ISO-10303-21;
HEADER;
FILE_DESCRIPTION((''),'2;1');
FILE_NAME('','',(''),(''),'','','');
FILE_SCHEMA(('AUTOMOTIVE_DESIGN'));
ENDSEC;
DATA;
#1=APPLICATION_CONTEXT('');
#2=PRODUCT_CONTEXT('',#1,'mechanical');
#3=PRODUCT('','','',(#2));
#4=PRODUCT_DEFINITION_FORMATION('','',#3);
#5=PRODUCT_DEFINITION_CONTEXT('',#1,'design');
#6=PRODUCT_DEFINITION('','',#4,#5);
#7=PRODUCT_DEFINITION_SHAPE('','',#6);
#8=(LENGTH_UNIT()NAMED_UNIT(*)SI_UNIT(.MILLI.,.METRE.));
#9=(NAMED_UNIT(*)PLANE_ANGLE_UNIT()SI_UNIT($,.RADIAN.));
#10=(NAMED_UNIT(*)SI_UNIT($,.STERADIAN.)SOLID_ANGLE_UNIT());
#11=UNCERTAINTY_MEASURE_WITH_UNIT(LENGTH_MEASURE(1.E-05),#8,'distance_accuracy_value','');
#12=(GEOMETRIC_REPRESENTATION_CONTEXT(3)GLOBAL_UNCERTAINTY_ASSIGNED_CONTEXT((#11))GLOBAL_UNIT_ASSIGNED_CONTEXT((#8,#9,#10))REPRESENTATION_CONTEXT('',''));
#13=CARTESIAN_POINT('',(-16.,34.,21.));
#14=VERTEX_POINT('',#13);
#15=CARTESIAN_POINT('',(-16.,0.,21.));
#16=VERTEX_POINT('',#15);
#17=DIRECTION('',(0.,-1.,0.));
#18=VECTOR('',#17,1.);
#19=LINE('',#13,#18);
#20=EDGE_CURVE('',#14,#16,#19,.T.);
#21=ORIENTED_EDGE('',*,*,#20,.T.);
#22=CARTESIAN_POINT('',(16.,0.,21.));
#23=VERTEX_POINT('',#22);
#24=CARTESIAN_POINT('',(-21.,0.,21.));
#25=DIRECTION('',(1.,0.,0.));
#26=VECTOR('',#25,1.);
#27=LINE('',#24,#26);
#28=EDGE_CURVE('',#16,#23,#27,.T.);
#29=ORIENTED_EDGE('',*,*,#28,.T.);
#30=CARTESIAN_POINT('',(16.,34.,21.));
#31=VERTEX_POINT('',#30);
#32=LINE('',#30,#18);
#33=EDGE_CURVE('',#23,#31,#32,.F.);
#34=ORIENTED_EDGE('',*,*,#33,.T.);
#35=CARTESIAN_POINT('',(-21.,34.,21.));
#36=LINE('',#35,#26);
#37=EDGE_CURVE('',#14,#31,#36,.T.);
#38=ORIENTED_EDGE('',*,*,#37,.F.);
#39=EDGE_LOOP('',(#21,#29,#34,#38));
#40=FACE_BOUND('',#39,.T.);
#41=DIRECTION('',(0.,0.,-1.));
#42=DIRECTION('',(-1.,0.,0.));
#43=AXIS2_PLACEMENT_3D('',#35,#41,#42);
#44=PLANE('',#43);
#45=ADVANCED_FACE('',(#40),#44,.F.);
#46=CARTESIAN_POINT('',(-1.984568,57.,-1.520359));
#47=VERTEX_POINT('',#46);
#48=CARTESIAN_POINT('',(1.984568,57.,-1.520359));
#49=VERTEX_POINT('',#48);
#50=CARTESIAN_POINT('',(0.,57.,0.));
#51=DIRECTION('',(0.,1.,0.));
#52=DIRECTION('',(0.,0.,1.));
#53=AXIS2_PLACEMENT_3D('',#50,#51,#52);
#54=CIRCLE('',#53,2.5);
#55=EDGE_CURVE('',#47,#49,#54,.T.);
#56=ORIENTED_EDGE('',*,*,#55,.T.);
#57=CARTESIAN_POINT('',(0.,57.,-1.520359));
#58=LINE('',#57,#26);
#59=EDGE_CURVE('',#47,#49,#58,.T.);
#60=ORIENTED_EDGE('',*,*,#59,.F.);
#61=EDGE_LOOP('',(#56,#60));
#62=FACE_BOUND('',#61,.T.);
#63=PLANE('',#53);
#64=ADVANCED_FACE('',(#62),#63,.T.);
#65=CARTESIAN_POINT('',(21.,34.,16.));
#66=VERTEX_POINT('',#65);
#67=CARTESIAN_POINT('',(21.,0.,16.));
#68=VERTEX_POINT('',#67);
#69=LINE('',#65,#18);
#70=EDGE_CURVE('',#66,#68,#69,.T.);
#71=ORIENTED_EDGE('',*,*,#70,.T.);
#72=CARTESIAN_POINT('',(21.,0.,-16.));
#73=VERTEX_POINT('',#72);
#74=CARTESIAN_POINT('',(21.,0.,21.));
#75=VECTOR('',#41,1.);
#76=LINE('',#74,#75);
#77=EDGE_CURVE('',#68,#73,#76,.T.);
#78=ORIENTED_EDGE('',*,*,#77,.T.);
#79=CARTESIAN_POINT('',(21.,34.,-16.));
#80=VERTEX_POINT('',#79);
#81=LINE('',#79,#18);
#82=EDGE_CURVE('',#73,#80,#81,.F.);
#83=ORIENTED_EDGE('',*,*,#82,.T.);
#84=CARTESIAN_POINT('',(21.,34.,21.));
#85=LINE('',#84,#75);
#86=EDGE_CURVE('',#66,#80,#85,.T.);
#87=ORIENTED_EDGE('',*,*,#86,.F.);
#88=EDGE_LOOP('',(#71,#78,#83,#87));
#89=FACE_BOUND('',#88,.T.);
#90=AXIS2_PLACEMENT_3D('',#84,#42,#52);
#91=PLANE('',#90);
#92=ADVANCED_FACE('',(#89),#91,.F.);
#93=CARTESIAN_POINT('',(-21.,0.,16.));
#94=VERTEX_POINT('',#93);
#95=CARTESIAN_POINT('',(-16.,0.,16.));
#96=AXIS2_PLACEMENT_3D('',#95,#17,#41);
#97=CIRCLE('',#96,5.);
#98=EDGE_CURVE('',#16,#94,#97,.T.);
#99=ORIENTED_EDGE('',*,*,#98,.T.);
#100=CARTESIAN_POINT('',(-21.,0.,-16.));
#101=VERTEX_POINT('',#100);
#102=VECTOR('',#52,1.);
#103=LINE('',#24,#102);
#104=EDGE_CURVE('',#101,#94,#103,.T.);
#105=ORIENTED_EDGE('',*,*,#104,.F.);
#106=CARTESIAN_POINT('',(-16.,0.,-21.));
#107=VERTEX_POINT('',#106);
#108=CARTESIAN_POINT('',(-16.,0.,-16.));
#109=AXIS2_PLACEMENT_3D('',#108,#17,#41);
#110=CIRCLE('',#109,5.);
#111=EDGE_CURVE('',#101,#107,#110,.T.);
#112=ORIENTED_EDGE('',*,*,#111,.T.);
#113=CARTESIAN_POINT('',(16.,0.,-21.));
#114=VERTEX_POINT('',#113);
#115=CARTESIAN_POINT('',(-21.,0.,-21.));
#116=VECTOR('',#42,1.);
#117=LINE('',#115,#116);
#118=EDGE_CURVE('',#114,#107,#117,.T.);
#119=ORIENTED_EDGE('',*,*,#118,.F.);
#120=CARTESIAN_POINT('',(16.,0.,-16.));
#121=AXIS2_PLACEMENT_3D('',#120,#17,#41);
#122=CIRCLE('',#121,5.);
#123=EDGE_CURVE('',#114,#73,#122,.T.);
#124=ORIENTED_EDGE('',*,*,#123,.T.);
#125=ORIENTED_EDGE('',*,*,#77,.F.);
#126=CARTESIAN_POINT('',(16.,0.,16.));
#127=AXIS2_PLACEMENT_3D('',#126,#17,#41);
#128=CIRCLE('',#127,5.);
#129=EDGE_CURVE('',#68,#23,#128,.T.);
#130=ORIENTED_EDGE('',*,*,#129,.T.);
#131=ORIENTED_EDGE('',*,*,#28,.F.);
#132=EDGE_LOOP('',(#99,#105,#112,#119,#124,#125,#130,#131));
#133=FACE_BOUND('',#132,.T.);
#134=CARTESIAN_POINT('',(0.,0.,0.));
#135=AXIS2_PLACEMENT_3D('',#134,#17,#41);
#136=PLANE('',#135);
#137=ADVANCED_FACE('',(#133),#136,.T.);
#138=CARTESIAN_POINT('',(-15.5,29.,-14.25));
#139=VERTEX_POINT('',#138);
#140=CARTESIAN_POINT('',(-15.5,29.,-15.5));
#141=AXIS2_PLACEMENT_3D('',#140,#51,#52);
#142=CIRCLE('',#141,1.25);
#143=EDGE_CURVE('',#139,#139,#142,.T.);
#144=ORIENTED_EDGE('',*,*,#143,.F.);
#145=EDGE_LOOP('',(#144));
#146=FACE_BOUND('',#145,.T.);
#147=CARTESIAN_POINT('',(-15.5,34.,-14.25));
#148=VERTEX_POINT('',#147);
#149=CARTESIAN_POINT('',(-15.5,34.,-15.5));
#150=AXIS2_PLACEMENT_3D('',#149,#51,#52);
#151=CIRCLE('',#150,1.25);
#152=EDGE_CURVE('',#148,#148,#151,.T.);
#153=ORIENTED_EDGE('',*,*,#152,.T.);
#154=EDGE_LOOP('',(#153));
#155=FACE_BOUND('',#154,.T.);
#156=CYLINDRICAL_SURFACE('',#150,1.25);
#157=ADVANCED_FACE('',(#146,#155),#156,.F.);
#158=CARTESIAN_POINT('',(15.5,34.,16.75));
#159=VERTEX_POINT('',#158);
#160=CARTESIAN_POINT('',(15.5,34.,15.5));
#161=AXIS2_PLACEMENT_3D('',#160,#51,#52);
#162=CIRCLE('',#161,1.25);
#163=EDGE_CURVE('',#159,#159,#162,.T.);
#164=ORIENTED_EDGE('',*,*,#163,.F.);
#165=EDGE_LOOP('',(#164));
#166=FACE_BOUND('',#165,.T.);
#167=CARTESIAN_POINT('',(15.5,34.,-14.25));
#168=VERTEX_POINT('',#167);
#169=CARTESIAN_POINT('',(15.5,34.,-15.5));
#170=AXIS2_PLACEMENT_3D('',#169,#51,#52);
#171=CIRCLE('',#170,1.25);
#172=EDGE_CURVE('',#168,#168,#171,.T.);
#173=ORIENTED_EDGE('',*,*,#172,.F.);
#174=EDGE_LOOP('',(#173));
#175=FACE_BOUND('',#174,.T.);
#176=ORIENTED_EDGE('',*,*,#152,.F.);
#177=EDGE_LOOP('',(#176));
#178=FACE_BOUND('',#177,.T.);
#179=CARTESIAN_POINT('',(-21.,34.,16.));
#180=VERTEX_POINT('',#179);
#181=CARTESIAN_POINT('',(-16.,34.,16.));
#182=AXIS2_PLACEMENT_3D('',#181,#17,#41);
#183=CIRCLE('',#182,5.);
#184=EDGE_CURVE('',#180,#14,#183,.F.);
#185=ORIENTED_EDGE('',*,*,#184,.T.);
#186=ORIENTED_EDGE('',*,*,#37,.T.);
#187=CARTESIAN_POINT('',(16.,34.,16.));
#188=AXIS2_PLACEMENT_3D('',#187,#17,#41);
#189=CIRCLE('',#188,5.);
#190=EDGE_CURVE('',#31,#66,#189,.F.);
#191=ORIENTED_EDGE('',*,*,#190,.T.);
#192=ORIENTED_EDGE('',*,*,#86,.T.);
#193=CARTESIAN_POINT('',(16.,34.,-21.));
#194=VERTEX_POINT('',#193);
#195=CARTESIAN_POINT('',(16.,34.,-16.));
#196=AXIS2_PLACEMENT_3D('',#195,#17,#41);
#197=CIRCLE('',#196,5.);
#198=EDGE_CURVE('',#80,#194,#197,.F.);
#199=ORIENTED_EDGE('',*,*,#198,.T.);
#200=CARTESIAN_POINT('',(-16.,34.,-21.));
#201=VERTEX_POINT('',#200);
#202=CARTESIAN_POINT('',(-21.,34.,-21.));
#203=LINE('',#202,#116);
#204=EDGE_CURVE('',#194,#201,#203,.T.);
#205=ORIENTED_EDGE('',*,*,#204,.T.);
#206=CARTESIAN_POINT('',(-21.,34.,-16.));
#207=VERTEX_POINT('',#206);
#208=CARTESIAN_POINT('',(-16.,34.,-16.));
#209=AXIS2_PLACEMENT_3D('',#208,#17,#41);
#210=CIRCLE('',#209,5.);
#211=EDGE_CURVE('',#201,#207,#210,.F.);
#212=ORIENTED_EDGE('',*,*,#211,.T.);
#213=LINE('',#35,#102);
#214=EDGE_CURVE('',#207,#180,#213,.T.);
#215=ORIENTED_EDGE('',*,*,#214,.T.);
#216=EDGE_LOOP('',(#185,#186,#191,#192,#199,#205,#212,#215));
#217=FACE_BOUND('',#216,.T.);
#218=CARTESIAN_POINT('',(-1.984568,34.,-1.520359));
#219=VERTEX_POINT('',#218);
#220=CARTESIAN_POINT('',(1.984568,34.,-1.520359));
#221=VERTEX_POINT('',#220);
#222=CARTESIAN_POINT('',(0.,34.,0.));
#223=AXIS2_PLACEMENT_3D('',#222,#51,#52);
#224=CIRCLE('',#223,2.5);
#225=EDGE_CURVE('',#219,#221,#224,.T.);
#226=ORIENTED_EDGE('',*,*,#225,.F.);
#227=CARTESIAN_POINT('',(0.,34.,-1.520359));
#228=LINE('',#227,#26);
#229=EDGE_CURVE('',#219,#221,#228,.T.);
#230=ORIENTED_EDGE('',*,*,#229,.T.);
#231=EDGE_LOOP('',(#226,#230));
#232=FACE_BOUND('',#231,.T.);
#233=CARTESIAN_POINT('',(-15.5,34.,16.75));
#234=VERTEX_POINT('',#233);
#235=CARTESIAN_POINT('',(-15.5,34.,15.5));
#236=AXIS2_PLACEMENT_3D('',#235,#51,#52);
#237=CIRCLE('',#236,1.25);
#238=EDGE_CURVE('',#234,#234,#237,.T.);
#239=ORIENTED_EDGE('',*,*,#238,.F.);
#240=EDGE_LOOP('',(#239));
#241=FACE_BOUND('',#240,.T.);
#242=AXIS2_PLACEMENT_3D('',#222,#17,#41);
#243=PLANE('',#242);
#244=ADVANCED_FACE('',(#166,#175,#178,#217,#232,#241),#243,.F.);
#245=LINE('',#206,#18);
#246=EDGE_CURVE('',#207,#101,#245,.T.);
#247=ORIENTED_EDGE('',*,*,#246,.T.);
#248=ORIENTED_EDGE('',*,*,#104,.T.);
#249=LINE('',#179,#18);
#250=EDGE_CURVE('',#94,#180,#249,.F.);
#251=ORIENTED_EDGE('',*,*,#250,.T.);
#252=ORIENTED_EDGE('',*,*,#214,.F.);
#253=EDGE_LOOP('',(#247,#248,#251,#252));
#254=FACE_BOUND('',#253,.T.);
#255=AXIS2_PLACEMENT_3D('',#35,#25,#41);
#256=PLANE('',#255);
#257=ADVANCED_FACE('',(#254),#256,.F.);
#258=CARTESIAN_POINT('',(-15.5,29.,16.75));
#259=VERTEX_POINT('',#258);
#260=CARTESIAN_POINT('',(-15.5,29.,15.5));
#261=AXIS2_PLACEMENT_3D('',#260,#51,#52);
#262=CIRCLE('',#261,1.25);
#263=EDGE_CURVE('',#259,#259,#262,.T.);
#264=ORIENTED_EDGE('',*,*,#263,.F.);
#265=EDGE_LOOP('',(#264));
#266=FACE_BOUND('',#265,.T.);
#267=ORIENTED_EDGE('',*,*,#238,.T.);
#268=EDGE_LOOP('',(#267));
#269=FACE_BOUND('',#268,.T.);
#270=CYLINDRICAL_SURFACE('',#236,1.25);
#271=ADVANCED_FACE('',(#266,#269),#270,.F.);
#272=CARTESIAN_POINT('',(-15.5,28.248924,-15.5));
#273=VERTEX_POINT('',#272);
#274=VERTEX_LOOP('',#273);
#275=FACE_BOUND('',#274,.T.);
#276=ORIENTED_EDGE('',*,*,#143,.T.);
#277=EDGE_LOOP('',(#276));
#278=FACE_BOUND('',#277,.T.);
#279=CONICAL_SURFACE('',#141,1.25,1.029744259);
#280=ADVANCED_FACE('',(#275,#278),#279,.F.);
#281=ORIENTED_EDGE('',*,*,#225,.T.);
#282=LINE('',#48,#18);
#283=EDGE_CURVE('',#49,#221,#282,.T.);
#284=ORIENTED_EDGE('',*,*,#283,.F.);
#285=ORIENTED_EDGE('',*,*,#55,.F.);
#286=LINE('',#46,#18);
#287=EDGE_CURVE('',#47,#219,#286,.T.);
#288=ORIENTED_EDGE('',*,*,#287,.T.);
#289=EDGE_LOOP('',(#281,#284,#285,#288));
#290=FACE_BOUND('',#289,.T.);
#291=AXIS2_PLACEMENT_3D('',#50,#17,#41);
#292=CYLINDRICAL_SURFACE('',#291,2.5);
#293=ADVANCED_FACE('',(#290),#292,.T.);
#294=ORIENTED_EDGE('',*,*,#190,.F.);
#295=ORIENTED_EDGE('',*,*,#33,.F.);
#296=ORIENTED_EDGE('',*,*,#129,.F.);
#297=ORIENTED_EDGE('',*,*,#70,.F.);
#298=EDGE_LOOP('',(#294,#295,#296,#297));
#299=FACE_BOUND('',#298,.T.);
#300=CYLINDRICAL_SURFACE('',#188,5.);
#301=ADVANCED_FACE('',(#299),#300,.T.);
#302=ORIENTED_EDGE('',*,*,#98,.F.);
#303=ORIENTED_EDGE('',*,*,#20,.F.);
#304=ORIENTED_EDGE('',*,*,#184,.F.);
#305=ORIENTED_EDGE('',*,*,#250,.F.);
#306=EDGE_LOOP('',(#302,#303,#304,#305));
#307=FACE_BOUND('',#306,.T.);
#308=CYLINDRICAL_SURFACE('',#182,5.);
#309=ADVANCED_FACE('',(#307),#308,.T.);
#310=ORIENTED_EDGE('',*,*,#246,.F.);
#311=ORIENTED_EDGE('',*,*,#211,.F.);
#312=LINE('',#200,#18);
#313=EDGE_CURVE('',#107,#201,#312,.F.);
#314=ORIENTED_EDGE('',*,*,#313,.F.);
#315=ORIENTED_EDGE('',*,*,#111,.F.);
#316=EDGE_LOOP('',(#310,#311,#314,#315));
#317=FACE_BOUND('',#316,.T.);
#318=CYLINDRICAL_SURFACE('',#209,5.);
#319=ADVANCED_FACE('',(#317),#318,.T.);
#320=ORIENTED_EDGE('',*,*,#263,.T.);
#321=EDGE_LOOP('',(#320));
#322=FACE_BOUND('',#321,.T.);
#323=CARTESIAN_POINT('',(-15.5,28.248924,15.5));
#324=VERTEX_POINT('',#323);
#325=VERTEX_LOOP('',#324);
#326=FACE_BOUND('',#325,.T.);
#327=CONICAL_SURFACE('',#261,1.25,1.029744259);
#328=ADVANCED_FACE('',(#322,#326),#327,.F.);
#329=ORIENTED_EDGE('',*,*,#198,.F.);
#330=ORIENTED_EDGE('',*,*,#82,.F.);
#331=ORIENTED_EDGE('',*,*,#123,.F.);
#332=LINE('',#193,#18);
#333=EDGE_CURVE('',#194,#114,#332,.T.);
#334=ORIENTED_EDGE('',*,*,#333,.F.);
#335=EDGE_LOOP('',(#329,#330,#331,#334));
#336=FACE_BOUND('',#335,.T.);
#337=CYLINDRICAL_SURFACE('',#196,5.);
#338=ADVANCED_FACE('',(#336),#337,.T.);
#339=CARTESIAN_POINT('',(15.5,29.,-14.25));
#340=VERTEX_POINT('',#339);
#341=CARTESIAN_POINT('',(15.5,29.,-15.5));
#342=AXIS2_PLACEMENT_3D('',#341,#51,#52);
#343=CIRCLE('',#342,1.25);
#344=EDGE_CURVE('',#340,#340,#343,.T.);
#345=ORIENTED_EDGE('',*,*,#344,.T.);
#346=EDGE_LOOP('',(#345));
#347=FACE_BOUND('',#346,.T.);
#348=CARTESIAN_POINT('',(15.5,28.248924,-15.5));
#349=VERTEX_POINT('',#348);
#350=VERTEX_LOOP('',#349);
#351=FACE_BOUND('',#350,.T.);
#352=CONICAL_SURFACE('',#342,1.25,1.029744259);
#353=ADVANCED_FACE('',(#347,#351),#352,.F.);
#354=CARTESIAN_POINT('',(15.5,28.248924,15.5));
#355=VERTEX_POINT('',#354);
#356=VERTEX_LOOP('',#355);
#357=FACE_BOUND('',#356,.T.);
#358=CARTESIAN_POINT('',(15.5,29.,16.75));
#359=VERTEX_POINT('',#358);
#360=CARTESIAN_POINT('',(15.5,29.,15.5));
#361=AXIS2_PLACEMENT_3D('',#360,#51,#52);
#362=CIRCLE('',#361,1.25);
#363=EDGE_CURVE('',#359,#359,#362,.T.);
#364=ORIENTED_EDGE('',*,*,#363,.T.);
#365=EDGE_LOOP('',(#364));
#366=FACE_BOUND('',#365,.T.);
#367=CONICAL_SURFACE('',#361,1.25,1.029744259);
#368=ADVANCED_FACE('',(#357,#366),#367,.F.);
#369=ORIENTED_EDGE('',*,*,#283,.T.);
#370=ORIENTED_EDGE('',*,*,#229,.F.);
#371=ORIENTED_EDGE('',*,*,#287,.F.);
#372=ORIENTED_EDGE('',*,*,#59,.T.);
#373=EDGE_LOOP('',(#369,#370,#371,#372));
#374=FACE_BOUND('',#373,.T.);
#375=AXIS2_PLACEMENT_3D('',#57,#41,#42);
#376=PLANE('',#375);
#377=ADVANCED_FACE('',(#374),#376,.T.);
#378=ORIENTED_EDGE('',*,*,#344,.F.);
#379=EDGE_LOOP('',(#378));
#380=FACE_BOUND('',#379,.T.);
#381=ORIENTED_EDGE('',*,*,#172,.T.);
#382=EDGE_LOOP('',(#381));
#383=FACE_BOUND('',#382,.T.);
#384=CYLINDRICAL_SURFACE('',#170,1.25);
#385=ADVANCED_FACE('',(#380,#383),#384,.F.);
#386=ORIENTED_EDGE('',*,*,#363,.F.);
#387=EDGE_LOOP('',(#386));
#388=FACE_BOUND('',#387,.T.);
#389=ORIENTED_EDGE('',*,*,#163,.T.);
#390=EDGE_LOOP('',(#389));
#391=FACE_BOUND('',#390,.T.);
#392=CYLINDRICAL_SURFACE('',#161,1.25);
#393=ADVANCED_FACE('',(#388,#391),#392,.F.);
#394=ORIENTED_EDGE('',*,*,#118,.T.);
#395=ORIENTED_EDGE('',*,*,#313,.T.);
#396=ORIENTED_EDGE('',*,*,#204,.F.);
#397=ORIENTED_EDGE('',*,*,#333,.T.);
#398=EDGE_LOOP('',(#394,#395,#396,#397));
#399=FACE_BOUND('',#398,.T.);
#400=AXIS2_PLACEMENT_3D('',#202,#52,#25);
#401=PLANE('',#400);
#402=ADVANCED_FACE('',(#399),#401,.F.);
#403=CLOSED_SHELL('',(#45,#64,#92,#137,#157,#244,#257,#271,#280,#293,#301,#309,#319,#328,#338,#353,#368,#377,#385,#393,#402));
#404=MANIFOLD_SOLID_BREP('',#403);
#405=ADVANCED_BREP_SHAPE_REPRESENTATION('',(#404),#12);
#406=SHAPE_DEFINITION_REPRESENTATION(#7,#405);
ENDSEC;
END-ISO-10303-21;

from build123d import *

# Parameters (mm, degrees)
SKETCH_1_W             = 42
SKETCH_1_H             = 42
EXTRUDE_1_DEPTH        = 34
HOLE_WIZARD_M3_1_D     = 2.5
HOLE_WIZARD_M3_1_DEPTH = 5
HOLE_WIZARD_M3_1_TIP   = 0.751075774
EXTRUDE_2_DEPTH        = 23
FILLET_1_R             = 5


with BuildPart() as part:
    # 草图1 → 凸台-拉伸1 (new body)
    with BuildSketch(Plane(origin=(0, 0, 0), x_dir=(1, 0, 0), z_dir=(0, 1, 0))):
        Rectangle(SKETCH_1_W, SKETCH_1_H)
    extrude(amount=EXTRUDE_1_DEPTH)

    # M3 螺纹孔1
    with Locations(Plane(origin=(0, 34, 0), x_dir=(1, 0, 0), z_dir=(0, 1, 0))):
        with Locations((-15.5, 15.5), (15.5, -15.5), (-15.5, -15.5), (15.5, 15.5)):
            Hole(HOLE_WIZARD_M3_1_D / 2, depth=HOLE_WIZARD_M3_1_DEPTH)
            with Locations((0, 0, -(HOLE_WIZARD_M3_1_DEPTH + HOLE_WIZARD_M3_1_TIP / 2))):  # 118° drill point
                Cone(0, HOLE_WIZARD_M3_1_D / 2, HOLE_WIZARD_M3_1_TIP, mode=Mode.SUBTRACT)

    # 草图5 → 凸台-拉伸2 (add)
    with BuildSketch(Plane(origin=(0, 34, 0), x_dir=(1, 0, 0), z_dir=(0, 1, 0))):
        with BuildLine():
            Line((1.984567922, 1.520358564), (-1.984567922, 1.520358564))
            ThreePointArc((-1.984567922, 1.520358564), (-0.802676832, -2.367638043), (2.5, 0))
            ThreePointArc((2.5, 0), (2.367638043, 0.802676832), (1.984567922, 1.520358564))
        make_face()
    extrude(amount=EXTRUDE_2_DEPTH)

    # 圆角1
    fillet_1_edges = [part.edges().sort_by_distance(p)[0] for p in [
        (21, 17, 21),
        (-21, 17, 21),
        (-21, 17, -21),
        (21, 17, -21),
    ]]
    fillet(fillet_1_edges, radius=FILLET_1_R)


solid = part.part
